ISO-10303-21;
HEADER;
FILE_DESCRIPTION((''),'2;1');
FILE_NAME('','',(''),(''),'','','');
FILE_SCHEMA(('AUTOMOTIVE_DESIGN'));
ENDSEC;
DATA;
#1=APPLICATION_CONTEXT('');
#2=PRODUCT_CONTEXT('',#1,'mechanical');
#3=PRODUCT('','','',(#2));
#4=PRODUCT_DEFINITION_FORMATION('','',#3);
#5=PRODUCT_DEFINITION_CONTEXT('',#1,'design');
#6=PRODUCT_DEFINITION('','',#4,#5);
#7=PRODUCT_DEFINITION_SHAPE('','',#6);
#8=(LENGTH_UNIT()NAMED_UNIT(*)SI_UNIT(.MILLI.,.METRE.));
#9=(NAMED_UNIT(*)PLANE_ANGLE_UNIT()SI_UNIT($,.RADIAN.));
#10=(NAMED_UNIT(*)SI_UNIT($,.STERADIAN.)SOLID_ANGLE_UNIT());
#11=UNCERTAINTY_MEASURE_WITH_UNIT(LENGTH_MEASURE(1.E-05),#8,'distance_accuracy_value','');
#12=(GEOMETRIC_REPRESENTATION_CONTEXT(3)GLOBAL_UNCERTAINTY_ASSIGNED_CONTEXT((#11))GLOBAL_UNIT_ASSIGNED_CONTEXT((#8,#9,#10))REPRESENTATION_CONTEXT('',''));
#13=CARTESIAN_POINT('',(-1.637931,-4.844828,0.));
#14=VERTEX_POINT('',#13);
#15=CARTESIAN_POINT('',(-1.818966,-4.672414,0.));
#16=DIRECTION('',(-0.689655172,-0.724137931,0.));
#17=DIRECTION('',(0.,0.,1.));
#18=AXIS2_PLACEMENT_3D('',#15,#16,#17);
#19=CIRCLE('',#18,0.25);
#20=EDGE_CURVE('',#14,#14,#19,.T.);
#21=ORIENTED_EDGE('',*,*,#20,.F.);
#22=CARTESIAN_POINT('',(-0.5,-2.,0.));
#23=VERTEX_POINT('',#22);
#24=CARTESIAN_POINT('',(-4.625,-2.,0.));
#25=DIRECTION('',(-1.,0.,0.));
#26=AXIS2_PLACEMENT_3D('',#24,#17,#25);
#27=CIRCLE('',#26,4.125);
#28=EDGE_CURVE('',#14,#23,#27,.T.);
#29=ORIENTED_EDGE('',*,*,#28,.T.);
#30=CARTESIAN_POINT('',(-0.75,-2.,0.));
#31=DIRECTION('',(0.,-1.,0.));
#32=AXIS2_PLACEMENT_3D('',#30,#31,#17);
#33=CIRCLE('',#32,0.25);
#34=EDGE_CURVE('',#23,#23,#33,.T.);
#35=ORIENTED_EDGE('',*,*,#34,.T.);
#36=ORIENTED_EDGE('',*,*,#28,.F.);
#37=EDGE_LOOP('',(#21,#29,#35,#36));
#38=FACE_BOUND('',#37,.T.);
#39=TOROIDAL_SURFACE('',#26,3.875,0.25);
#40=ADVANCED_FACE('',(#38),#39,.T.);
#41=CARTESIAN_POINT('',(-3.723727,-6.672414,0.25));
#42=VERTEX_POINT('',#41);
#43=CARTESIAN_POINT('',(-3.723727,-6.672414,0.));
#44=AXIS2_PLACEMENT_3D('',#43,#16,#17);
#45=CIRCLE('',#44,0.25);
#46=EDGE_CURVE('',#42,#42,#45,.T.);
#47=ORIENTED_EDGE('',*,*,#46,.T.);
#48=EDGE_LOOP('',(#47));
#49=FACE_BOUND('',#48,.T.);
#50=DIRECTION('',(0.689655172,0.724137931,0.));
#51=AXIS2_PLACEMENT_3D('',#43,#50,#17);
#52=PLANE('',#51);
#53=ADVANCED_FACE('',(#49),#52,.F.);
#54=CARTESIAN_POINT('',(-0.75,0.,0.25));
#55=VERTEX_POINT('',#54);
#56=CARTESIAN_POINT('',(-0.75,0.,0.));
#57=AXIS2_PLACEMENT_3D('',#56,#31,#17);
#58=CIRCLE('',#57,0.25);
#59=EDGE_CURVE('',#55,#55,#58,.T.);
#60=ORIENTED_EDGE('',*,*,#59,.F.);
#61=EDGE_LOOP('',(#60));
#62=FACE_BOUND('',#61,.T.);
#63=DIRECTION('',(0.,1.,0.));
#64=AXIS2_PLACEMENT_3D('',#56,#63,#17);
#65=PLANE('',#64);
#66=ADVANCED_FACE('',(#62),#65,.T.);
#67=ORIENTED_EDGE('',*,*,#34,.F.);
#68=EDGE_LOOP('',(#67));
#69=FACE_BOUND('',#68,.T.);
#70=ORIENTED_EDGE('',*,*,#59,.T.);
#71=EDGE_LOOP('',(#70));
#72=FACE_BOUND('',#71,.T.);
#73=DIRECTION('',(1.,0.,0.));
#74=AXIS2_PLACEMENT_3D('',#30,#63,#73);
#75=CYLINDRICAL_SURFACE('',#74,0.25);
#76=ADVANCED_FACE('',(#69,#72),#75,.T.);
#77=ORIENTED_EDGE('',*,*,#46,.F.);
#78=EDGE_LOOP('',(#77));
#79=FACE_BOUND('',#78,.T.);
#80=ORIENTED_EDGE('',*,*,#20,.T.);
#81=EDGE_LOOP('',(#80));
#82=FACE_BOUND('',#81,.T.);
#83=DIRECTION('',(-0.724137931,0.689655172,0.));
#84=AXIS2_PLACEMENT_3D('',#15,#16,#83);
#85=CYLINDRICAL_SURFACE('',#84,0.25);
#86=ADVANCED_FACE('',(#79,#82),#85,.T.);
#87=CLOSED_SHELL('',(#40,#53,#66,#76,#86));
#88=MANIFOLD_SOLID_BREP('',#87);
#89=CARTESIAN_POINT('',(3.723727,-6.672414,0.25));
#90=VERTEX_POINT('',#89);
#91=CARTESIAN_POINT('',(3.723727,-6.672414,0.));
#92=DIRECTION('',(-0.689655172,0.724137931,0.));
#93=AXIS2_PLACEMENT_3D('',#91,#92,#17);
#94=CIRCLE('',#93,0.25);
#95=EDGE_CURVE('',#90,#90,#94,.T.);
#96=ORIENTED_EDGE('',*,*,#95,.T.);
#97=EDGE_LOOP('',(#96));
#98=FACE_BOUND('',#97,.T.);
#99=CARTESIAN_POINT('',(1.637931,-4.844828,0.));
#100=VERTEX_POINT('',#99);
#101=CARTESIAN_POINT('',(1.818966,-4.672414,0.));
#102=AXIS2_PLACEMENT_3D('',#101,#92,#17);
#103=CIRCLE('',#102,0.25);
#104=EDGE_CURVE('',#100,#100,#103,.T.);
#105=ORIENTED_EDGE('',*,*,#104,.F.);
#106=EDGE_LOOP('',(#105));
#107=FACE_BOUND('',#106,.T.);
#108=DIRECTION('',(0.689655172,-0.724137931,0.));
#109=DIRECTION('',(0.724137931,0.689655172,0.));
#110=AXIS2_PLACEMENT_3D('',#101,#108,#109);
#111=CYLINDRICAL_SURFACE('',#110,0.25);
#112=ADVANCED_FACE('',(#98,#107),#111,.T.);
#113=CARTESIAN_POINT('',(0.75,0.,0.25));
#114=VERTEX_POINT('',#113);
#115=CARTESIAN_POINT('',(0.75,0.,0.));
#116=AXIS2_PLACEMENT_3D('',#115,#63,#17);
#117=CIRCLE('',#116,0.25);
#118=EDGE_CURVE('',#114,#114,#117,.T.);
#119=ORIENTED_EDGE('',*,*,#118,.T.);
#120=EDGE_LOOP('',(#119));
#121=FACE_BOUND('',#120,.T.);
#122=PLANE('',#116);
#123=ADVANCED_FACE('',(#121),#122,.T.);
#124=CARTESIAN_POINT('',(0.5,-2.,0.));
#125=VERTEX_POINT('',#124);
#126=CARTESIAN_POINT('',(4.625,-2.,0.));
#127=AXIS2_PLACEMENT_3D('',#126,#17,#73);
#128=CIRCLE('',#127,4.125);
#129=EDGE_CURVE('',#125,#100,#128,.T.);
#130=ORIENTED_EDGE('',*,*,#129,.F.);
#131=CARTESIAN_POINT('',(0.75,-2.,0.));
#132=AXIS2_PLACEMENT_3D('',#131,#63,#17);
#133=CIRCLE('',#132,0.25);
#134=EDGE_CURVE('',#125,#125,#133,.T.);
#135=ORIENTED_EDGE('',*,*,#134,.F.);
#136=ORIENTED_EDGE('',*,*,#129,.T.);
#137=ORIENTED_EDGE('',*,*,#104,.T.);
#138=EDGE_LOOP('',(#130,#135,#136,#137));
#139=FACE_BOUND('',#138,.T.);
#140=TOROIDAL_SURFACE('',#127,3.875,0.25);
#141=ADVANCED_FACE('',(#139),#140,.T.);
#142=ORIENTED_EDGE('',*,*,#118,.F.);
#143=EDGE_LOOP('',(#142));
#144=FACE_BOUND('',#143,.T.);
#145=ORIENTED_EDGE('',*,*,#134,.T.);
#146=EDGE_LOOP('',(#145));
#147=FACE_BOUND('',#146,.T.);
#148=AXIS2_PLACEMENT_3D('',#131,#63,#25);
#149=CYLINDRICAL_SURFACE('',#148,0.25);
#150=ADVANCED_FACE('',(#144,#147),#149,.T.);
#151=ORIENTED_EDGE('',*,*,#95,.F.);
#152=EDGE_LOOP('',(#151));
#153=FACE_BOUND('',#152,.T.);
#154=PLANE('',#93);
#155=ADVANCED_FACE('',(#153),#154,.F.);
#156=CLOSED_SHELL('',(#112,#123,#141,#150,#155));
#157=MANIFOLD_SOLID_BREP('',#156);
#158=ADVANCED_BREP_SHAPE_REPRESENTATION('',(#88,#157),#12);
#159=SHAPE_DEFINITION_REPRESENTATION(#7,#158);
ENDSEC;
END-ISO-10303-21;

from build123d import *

# Parameters (mm, degrees)
SKETCH2_R = 0.25


with BuildPart() as part:
    # Sweep1: sweep along a path in Sketch1
    with BuildLine(Plane.XY) as sweep1_path:
        Line((3.904761905, -6.5), (2, -4.5))
        ThreePointArc((2, -4.5), (1.259271996, -3.346291202), (1, -2))
        Line((1, -2), (1, 0))
    # Sketch2 → Sweep1 (sweep)
    with BuildSketch(Plane(origin=(0, 0, 0), x_dir=(1, 0, 0), z_dir=(0, 1, 0))):
        with Locations((0.75, 0)):
            Circle(SKETCH2_R)
    sweep(path=sweep1_path.line)


with BuildPart() as body_2:
    # Mirror3: mirrored copy
    add(part.part.mirror(Plane(origin=(0, 0, 0), x_dir=(0, 0, 1), z_dir=(1, 0, 0))))


solid = Compound([part.part, body_2.part])
